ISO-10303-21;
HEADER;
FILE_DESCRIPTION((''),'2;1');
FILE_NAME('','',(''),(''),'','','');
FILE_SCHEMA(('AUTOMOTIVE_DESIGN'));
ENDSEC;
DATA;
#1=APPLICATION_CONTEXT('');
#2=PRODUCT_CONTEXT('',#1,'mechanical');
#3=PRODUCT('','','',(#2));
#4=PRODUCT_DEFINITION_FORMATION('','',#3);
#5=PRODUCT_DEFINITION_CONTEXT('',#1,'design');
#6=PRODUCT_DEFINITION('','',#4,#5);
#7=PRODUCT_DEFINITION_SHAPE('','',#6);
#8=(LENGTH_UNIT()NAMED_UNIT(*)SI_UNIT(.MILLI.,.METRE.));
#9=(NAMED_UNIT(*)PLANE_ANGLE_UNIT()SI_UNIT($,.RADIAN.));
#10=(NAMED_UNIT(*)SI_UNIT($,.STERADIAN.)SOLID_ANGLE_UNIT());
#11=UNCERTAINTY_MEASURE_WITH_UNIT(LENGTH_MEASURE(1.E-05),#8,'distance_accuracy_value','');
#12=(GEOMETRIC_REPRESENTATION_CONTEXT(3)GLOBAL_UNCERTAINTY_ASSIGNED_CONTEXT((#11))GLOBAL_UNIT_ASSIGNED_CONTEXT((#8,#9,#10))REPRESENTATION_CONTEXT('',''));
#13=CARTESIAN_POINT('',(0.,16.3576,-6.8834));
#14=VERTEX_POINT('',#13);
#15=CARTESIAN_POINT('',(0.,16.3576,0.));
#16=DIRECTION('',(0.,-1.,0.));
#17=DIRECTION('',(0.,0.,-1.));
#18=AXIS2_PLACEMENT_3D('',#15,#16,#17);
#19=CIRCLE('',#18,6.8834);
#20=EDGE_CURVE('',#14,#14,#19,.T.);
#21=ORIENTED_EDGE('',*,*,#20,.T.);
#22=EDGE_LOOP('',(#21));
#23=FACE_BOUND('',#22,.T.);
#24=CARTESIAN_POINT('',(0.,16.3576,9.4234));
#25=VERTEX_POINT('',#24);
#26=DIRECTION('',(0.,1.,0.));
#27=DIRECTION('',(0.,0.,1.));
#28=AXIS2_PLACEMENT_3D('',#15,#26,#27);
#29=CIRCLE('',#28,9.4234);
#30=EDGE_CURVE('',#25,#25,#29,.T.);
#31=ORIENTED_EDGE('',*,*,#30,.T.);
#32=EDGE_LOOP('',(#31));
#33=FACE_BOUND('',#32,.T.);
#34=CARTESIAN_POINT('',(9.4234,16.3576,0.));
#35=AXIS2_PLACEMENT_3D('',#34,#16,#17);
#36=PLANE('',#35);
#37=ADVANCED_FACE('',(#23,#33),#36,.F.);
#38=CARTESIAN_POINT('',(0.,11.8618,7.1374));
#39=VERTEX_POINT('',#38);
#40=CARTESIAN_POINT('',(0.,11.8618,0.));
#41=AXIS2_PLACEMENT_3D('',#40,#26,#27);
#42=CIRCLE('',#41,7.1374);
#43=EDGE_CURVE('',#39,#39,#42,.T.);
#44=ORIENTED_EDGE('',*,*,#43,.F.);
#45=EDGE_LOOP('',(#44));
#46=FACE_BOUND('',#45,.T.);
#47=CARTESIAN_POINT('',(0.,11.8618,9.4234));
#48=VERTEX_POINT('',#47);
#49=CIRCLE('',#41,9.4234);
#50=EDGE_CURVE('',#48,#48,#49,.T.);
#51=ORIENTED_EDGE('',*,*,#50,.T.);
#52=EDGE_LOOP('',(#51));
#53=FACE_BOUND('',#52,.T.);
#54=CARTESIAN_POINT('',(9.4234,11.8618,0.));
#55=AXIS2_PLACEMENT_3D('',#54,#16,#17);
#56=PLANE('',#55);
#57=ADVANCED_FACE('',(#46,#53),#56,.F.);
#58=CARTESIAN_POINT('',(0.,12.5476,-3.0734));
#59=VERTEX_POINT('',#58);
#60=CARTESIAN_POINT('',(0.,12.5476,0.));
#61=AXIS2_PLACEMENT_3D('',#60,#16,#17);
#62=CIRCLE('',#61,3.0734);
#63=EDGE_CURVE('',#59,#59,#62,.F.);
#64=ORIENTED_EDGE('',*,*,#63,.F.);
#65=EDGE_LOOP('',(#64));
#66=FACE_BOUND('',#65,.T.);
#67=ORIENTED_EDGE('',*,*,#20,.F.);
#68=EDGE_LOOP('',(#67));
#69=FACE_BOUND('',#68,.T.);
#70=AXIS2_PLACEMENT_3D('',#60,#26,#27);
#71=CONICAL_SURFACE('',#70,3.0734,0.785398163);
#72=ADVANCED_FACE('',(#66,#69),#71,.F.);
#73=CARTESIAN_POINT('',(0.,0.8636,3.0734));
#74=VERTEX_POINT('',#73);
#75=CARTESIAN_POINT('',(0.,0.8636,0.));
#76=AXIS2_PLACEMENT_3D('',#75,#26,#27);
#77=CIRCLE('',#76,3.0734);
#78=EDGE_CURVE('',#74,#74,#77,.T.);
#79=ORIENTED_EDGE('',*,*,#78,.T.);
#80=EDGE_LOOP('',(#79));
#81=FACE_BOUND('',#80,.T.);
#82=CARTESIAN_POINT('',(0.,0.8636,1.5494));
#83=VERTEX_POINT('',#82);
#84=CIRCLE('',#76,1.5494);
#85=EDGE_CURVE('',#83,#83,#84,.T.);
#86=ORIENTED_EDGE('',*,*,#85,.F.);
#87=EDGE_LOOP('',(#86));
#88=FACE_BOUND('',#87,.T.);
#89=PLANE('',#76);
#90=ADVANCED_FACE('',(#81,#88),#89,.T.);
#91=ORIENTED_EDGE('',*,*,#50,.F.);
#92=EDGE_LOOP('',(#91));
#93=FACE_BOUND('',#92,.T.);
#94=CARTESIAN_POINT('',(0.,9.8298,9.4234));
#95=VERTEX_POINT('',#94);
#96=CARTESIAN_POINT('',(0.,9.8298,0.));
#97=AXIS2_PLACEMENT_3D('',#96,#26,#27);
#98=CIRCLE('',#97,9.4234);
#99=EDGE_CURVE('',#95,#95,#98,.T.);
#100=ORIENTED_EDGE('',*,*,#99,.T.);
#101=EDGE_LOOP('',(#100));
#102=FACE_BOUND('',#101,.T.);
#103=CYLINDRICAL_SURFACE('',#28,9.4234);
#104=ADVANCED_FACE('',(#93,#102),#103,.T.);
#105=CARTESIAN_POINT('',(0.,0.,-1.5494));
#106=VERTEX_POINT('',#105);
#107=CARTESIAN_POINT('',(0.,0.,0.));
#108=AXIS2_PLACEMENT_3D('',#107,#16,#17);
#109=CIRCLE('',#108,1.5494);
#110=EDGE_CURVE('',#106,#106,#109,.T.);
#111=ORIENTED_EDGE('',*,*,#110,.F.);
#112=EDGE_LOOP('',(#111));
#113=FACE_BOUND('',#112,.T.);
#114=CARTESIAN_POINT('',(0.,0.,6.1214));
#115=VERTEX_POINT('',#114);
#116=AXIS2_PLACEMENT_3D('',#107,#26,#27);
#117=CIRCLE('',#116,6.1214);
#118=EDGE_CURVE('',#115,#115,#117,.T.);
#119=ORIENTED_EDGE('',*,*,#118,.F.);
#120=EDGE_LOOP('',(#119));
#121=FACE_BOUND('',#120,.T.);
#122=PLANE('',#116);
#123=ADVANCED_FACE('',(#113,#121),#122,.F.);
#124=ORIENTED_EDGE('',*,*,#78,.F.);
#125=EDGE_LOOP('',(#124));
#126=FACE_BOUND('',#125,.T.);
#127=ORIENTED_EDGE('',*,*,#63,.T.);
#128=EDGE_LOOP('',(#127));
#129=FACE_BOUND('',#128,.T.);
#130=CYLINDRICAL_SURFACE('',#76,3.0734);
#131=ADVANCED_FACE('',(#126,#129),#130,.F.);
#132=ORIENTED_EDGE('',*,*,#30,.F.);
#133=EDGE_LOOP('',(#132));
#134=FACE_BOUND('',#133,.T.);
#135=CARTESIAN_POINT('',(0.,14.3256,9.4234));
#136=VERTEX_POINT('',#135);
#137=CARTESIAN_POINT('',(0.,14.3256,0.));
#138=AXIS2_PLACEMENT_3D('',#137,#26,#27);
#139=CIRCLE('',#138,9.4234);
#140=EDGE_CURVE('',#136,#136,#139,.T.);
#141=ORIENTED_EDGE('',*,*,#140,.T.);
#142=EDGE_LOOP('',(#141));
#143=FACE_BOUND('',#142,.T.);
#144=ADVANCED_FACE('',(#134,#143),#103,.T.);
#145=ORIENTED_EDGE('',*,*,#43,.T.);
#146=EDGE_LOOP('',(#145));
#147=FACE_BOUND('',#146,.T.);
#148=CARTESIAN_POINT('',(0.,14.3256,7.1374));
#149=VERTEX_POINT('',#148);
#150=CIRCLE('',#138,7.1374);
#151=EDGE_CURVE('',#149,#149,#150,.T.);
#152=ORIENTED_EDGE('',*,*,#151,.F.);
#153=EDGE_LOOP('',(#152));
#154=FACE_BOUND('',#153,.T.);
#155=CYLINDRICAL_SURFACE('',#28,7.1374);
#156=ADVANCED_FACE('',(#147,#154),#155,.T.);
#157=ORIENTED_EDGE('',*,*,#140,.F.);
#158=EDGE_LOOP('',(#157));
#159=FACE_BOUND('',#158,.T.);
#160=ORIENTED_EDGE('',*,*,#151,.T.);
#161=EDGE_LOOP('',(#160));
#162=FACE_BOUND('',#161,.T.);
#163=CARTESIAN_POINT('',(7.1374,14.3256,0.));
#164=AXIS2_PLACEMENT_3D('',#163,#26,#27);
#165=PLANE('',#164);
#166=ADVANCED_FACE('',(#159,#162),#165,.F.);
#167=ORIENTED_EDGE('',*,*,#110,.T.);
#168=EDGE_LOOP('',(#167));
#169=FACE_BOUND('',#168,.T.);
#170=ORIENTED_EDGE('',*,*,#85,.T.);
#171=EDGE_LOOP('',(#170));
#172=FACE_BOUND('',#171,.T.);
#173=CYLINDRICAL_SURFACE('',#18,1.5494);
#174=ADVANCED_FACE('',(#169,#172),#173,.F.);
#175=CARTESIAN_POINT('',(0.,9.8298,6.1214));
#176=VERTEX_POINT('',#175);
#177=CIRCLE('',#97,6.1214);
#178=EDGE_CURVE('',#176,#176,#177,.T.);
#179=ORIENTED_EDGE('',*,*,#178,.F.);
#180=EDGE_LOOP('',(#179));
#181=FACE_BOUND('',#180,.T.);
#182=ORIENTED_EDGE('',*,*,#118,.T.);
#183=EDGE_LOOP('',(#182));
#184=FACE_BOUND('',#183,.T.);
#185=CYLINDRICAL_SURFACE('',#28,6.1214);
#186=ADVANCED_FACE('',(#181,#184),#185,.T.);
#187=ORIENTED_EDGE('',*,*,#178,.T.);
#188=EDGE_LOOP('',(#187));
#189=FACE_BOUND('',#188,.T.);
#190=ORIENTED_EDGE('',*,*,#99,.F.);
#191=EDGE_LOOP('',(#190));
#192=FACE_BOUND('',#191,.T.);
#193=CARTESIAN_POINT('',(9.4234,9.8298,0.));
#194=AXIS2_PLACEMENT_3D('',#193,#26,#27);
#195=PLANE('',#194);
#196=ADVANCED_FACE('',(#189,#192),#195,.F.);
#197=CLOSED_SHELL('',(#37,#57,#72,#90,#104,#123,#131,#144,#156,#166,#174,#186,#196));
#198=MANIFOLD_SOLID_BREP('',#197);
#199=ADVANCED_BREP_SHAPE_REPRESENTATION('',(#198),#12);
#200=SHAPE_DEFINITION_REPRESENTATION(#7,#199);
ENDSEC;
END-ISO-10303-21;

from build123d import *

# Parameters (mm, degrees)
SKETCH2_R          = 3.0734
CUT_EXTRUDE1_DEPTH = 15.494
SKETCH3_R          = 1.5494
CUT_EXTRUDE2_DEPTH = 17.3576
CHAMFER1_SIZE      = 3.81


with BuildPart() as part:
    # Sketch1 → Revolve1 (revolve)
    with BuildSketch(Plane.XY):
        Polygon((0, 0), (6.1214, 0), (6.1214, 9.8298), (9.4234, 9.8298), (9.4234, 11.8618), (7.1374, 11.8618), (7.1374, 14.3256), (9.4234, 14.3256), (9.4234, 16.3576), (0, 16.3576), (0, 9.8298), align=None)
    revolve(axis=Axis((0, 16.3576, 0), (0, -1, 0)))

    # Sketch2 → Cut-Extrude1 (cut)
    with BuildSketch(Plane(origin=(0, 16.3576, 0), x_dir=(1, 0, 0), z_dir=(0, 1, 0))):
        Circle(SKETCH2_R)
    extrude(amount=-CUT_EXTRUDE1_DEPTH, mode=Mode.SUBTRACT)

    # Sketch3 → Cut-Extrude2 (cut, through all)
    with BuildSketch(Plane.XZ):
        Circle(SKETCH3_R)
    extrude(amount=-CUT_EXTRUDE2_DEPTH, mode=Mode.SUBTRACT)

    # Chamfer1
    chamfer1_edges = [part.edges().sort_by_distance(p)[0] for p in [
        (-3.0734, 16.3576, 0),
    ]]
    chamfer(chamfer1_edges, length=CHAMFER1_SIZE)


solid = part.part
